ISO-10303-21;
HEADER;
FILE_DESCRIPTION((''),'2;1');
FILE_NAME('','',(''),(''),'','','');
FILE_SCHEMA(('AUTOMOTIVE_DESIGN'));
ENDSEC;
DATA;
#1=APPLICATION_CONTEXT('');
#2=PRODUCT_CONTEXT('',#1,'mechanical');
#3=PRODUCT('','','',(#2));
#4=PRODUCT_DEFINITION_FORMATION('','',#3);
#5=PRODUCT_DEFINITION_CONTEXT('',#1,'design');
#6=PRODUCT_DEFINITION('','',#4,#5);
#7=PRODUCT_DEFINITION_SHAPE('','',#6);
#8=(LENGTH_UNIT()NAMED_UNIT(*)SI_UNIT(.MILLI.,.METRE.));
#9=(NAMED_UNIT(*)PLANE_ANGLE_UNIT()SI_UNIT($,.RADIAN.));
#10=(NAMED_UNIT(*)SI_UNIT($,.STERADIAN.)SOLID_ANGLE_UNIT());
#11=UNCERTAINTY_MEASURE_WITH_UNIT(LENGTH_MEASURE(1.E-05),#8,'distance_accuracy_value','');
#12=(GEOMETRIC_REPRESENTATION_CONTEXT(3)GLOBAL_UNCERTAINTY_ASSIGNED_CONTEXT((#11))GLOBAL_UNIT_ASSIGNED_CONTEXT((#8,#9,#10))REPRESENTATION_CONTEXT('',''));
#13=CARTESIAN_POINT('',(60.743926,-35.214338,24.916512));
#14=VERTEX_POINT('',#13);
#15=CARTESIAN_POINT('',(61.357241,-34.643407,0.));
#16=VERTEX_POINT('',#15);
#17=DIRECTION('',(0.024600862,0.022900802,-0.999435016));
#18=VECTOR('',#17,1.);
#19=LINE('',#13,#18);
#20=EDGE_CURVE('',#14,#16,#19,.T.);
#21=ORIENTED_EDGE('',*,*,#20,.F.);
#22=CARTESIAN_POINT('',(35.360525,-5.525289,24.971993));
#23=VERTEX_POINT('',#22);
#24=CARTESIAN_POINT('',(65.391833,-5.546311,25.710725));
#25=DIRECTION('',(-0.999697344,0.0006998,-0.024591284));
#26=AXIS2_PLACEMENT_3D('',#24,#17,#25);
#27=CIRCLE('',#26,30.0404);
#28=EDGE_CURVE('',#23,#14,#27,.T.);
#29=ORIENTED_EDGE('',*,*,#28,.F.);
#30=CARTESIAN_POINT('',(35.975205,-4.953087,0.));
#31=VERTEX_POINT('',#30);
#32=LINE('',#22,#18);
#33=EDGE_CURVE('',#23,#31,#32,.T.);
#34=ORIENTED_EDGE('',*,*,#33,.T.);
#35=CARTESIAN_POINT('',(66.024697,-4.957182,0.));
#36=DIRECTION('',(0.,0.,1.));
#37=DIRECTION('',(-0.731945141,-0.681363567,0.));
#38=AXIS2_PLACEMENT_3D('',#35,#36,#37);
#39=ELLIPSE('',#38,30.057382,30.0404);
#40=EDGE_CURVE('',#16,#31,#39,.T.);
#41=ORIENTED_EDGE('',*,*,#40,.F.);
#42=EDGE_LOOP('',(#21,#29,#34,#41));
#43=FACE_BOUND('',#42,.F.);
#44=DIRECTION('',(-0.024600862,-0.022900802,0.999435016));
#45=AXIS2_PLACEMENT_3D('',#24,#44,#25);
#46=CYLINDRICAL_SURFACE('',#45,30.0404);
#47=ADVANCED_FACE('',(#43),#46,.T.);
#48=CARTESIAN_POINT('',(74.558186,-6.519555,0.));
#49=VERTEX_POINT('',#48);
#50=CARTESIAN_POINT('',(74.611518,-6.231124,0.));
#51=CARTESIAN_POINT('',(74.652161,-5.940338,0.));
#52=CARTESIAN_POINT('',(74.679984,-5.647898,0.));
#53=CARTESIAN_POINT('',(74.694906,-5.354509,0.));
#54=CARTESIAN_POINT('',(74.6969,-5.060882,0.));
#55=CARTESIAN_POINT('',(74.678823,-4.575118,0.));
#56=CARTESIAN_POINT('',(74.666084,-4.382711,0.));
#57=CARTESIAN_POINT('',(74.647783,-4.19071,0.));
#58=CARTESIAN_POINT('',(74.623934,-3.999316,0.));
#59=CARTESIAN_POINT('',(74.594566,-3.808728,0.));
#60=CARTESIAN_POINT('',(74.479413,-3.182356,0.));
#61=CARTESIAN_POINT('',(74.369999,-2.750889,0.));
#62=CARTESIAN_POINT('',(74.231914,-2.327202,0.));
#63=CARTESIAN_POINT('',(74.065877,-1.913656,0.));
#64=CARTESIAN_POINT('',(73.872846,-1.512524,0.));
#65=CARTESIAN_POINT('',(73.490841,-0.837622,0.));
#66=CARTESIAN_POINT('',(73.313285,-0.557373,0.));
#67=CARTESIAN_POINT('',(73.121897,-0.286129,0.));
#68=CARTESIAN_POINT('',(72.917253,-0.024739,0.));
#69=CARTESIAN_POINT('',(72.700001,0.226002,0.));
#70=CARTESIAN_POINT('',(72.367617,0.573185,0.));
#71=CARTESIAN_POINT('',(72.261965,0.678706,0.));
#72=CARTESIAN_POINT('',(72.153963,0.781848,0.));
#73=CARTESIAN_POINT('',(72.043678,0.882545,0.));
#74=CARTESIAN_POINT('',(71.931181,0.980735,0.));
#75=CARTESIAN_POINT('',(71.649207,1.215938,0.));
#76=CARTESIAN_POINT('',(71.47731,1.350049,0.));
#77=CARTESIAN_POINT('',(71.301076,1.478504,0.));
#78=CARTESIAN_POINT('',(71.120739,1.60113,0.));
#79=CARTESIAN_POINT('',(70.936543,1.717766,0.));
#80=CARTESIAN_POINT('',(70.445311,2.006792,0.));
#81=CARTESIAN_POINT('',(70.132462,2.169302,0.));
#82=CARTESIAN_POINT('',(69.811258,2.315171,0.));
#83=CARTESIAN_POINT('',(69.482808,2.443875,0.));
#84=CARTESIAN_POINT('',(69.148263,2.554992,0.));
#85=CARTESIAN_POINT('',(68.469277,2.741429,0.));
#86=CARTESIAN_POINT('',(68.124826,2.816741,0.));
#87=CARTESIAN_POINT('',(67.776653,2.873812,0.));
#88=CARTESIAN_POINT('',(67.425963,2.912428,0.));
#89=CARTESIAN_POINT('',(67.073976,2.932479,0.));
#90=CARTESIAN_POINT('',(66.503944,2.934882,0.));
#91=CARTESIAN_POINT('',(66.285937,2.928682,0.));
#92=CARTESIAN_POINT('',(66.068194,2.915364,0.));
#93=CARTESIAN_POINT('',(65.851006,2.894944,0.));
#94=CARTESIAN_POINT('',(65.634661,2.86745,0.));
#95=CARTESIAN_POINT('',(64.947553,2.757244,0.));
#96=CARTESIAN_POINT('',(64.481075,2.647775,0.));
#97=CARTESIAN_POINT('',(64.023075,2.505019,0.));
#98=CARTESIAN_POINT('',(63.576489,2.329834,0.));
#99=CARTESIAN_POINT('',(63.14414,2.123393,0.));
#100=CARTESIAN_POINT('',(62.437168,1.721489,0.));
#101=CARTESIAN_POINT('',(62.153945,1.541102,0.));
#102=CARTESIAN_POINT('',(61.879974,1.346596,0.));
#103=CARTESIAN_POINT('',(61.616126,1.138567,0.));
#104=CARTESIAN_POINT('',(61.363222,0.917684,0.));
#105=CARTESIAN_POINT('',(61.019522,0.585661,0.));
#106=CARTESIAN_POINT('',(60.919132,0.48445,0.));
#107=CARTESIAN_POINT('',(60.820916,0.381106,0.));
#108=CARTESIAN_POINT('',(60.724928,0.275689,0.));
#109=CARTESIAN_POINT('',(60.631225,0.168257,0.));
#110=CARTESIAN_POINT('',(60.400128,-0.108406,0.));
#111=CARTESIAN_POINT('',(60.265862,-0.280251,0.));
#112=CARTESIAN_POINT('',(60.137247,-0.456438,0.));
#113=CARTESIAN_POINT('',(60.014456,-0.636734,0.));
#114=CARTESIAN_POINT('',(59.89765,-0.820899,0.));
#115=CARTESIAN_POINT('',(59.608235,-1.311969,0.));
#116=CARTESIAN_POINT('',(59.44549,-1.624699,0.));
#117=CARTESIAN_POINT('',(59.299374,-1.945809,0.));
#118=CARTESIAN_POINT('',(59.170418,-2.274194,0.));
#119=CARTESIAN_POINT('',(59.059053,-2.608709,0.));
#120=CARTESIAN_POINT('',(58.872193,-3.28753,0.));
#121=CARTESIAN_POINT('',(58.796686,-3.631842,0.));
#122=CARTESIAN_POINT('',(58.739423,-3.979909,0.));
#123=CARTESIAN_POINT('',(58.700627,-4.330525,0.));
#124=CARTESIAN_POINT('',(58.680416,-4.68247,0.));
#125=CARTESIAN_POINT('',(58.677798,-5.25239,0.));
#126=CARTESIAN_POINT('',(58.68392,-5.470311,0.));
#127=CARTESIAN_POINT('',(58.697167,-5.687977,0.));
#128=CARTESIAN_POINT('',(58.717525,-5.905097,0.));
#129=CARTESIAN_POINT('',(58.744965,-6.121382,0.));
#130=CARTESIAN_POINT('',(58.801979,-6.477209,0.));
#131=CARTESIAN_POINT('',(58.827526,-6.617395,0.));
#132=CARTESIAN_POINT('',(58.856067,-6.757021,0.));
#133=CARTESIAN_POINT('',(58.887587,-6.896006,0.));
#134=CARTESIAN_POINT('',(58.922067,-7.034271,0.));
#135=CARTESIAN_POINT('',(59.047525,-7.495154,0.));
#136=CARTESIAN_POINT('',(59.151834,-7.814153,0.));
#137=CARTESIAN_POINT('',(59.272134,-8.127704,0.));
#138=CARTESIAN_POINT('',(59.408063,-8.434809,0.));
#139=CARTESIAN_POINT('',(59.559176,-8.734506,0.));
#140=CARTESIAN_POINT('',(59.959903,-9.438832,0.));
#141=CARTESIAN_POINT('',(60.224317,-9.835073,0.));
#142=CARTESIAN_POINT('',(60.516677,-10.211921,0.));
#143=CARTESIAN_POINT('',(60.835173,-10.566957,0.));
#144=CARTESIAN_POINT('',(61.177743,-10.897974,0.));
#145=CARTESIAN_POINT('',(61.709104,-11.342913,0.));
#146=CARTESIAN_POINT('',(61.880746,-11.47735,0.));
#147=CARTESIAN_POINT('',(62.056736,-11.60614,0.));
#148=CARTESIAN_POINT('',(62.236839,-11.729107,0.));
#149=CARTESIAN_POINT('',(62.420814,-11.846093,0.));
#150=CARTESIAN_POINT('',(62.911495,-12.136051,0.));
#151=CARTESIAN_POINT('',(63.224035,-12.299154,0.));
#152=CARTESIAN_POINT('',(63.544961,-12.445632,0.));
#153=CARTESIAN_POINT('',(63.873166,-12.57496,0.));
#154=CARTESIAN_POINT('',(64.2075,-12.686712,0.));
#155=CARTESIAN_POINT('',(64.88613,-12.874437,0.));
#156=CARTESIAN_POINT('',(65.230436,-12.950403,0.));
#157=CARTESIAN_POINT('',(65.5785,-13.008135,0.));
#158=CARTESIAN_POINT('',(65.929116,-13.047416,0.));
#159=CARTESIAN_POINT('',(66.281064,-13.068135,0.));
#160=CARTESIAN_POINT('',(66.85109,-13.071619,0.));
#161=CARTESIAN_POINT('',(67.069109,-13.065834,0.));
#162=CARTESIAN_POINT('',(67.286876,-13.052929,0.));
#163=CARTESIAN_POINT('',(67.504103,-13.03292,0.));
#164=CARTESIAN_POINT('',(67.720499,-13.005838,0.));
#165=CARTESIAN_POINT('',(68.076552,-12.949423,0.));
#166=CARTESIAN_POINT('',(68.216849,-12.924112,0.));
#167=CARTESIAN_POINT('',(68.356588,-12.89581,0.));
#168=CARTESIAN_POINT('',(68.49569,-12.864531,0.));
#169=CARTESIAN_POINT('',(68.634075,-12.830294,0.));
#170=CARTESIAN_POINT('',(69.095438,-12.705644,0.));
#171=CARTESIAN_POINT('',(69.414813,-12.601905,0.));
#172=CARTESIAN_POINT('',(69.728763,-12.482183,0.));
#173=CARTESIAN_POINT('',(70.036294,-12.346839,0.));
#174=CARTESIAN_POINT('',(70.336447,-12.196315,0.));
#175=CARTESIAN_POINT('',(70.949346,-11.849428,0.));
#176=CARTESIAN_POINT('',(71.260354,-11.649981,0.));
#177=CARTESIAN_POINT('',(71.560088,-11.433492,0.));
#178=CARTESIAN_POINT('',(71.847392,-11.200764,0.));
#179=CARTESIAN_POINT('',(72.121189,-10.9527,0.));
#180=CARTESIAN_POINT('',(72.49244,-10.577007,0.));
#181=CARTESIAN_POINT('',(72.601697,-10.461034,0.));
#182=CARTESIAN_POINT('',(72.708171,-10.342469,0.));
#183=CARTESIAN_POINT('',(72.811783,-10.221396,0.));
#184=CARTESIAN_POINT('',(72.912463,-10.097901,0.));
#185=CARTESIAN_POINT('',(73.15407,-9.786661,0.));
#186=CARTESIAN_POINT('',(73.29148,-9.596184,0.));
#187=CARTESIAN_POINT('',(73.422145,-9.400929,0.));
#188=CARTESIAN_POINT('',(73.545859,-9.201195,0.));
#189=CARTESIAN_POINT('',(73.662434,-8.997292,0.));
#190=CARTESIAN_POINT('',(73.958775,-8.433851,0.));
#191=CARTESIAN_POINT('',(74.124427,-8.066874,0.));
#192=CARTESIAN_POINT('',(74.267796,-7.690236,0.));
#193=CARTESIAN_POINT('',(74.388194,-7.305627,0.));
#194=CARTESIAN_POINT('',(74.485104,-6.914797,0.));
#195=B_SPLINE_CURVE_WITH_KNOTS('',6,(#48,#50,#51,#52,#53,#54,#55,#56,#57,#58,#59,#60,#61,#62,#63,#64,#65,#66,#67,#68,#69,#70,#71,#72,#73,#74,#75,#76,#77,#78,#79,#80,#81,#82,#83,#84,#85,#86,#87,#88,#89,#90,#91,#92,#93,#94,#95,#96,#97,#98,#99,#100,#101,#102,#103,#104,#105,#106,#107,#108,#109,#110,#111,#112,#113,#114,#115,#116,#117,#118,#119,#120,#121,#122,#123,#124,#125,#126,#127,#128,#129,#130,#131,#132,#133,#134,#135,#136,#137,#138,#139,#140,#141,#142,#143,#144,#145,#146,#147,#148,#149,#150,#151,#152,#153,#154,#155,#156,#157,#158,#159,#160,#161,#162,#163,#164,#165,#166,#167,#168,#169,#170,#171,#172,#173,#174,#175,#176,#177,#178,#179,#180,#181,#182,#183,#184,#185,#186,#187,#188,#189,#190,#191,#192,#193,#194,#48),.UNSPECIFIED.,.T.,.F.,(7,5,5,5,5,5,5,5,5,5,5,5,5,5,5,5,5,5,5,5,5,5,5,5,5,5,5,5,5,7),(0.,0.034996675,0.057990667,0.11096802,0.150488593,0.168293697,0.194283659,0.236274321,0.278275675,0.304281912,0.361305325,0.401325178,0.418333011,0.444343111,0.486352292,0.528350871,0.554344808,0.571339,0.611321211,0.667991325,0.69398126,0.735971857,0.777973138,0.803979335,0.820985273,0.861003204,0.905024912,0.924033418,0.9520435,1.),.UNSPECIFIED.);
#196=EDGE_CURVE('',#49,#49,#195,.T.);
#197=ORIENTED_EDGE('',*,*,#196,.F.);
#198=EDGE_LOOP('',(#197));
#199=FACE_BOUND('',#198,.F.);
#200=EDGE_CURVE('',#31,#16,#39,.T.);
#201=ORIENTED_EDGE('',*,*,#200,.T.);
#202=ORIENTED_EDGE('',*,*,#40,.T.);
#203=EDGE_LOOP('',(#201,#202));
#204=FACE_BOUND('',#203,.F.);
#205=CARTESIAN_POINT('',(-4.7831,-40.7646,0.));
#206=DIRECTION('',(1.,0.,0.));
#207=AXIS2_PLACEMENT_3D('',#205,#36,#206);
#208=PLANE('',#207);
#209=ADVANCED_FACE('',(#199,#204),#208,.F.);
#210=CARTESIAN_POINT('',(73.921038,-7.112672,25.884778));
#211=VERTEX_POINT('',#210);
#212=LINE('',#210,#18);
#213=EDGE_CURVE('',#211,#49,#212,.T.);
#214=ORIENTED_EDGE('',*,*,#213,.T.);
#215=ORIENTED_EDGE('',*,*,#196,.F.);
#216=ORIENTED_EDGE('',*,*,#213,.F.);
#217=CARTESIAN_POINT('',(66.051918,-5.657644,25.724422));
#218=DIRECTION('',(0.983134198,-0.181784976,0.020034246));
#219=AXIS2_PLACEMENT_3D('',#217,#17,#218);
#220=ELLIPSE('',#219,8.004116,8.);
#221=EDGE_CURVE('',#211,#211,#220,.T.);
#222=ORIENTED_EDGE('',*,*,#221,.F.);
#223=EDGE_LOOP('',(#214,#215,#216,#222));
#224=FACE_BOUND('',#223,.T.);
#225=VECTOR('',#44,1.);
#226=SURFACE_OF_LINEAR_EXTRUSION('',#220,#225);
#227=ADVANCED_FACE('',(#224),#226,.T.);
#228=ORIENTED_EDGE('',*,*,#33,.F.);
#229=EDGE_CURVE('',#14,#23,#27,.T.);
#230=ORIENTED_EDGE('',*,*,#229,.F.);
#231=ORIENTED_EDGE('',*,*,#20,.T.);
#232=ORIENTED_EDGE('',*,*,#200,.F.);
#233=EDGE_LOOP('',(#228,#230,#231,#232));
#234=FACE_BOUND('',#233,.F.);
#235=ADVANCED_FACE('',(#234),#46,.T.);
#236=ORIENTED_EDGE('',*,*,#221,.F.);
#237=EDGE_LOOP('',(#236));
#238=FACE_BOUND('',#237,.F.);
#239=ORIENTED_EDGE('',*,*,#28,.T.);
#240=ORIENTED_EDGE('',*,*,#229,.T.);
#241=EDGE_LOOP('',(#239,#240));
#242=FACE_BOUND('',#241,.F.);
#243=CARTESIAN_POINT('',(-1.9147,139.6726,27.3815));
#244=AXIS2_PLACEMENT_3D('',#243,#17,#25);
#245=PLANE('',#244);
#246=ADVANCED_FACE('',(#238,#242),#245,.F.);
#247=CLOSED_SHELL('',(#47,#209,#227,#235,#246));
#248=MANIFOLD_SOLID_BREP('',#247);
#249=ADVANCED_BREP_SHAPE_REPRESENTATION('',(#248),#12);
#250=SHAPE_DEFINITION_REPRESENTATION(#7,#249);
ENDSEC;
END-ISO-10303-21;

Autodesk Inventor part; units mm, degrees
ref_plane "YZ Plane" through (0, 0, 0) normal (1, 0, 0) x (0, 1, 0)
ref_plane "XZ Plane" through (0, 0, 0) normal (0, 1, 0) x (-1, 0, 0)
ref_plane "Work Plane1" through (-1.9147, 139.6726, 27.3815) normal (0.0246, 0.0229, -0.9994) x (-0.9997, 0.0007, -0.0246)
sketch "Sketch1" plane through (-1.9147, 139.6726, 27.3815) normal (0.0246, 0.0229, -0.9994) x (-0.9997, 0.0007, -0.0246)
  circle A0 centre (-67.3467, -145.2099) radius 30.0404
  ellipse E0 centre (-68.007, -145.3208) end of major axis (-75.8787, -146.7707) minor radius 8 projected
  ellipse E1 centre (-68.007, -145.3208) end of major axis (-38.4484, -139.8763) minor radius 30.0404 (-97.2276, -138.2954) -> (-38.7864, -152.3461) ccw projected
  point P0 (-1.3436, -140.2639)
ref_plane "Work Plane2" through (-4.7831, -40.7646, 0) normal (0, 0, 1) x (1, 0, 0)
extrude "Extrusion1" add sketch "Sketch1" along normal up to surface surface through (-4.7831, -40.7646, 0) normal (0, 0, 1)
properties part number "arm top"
